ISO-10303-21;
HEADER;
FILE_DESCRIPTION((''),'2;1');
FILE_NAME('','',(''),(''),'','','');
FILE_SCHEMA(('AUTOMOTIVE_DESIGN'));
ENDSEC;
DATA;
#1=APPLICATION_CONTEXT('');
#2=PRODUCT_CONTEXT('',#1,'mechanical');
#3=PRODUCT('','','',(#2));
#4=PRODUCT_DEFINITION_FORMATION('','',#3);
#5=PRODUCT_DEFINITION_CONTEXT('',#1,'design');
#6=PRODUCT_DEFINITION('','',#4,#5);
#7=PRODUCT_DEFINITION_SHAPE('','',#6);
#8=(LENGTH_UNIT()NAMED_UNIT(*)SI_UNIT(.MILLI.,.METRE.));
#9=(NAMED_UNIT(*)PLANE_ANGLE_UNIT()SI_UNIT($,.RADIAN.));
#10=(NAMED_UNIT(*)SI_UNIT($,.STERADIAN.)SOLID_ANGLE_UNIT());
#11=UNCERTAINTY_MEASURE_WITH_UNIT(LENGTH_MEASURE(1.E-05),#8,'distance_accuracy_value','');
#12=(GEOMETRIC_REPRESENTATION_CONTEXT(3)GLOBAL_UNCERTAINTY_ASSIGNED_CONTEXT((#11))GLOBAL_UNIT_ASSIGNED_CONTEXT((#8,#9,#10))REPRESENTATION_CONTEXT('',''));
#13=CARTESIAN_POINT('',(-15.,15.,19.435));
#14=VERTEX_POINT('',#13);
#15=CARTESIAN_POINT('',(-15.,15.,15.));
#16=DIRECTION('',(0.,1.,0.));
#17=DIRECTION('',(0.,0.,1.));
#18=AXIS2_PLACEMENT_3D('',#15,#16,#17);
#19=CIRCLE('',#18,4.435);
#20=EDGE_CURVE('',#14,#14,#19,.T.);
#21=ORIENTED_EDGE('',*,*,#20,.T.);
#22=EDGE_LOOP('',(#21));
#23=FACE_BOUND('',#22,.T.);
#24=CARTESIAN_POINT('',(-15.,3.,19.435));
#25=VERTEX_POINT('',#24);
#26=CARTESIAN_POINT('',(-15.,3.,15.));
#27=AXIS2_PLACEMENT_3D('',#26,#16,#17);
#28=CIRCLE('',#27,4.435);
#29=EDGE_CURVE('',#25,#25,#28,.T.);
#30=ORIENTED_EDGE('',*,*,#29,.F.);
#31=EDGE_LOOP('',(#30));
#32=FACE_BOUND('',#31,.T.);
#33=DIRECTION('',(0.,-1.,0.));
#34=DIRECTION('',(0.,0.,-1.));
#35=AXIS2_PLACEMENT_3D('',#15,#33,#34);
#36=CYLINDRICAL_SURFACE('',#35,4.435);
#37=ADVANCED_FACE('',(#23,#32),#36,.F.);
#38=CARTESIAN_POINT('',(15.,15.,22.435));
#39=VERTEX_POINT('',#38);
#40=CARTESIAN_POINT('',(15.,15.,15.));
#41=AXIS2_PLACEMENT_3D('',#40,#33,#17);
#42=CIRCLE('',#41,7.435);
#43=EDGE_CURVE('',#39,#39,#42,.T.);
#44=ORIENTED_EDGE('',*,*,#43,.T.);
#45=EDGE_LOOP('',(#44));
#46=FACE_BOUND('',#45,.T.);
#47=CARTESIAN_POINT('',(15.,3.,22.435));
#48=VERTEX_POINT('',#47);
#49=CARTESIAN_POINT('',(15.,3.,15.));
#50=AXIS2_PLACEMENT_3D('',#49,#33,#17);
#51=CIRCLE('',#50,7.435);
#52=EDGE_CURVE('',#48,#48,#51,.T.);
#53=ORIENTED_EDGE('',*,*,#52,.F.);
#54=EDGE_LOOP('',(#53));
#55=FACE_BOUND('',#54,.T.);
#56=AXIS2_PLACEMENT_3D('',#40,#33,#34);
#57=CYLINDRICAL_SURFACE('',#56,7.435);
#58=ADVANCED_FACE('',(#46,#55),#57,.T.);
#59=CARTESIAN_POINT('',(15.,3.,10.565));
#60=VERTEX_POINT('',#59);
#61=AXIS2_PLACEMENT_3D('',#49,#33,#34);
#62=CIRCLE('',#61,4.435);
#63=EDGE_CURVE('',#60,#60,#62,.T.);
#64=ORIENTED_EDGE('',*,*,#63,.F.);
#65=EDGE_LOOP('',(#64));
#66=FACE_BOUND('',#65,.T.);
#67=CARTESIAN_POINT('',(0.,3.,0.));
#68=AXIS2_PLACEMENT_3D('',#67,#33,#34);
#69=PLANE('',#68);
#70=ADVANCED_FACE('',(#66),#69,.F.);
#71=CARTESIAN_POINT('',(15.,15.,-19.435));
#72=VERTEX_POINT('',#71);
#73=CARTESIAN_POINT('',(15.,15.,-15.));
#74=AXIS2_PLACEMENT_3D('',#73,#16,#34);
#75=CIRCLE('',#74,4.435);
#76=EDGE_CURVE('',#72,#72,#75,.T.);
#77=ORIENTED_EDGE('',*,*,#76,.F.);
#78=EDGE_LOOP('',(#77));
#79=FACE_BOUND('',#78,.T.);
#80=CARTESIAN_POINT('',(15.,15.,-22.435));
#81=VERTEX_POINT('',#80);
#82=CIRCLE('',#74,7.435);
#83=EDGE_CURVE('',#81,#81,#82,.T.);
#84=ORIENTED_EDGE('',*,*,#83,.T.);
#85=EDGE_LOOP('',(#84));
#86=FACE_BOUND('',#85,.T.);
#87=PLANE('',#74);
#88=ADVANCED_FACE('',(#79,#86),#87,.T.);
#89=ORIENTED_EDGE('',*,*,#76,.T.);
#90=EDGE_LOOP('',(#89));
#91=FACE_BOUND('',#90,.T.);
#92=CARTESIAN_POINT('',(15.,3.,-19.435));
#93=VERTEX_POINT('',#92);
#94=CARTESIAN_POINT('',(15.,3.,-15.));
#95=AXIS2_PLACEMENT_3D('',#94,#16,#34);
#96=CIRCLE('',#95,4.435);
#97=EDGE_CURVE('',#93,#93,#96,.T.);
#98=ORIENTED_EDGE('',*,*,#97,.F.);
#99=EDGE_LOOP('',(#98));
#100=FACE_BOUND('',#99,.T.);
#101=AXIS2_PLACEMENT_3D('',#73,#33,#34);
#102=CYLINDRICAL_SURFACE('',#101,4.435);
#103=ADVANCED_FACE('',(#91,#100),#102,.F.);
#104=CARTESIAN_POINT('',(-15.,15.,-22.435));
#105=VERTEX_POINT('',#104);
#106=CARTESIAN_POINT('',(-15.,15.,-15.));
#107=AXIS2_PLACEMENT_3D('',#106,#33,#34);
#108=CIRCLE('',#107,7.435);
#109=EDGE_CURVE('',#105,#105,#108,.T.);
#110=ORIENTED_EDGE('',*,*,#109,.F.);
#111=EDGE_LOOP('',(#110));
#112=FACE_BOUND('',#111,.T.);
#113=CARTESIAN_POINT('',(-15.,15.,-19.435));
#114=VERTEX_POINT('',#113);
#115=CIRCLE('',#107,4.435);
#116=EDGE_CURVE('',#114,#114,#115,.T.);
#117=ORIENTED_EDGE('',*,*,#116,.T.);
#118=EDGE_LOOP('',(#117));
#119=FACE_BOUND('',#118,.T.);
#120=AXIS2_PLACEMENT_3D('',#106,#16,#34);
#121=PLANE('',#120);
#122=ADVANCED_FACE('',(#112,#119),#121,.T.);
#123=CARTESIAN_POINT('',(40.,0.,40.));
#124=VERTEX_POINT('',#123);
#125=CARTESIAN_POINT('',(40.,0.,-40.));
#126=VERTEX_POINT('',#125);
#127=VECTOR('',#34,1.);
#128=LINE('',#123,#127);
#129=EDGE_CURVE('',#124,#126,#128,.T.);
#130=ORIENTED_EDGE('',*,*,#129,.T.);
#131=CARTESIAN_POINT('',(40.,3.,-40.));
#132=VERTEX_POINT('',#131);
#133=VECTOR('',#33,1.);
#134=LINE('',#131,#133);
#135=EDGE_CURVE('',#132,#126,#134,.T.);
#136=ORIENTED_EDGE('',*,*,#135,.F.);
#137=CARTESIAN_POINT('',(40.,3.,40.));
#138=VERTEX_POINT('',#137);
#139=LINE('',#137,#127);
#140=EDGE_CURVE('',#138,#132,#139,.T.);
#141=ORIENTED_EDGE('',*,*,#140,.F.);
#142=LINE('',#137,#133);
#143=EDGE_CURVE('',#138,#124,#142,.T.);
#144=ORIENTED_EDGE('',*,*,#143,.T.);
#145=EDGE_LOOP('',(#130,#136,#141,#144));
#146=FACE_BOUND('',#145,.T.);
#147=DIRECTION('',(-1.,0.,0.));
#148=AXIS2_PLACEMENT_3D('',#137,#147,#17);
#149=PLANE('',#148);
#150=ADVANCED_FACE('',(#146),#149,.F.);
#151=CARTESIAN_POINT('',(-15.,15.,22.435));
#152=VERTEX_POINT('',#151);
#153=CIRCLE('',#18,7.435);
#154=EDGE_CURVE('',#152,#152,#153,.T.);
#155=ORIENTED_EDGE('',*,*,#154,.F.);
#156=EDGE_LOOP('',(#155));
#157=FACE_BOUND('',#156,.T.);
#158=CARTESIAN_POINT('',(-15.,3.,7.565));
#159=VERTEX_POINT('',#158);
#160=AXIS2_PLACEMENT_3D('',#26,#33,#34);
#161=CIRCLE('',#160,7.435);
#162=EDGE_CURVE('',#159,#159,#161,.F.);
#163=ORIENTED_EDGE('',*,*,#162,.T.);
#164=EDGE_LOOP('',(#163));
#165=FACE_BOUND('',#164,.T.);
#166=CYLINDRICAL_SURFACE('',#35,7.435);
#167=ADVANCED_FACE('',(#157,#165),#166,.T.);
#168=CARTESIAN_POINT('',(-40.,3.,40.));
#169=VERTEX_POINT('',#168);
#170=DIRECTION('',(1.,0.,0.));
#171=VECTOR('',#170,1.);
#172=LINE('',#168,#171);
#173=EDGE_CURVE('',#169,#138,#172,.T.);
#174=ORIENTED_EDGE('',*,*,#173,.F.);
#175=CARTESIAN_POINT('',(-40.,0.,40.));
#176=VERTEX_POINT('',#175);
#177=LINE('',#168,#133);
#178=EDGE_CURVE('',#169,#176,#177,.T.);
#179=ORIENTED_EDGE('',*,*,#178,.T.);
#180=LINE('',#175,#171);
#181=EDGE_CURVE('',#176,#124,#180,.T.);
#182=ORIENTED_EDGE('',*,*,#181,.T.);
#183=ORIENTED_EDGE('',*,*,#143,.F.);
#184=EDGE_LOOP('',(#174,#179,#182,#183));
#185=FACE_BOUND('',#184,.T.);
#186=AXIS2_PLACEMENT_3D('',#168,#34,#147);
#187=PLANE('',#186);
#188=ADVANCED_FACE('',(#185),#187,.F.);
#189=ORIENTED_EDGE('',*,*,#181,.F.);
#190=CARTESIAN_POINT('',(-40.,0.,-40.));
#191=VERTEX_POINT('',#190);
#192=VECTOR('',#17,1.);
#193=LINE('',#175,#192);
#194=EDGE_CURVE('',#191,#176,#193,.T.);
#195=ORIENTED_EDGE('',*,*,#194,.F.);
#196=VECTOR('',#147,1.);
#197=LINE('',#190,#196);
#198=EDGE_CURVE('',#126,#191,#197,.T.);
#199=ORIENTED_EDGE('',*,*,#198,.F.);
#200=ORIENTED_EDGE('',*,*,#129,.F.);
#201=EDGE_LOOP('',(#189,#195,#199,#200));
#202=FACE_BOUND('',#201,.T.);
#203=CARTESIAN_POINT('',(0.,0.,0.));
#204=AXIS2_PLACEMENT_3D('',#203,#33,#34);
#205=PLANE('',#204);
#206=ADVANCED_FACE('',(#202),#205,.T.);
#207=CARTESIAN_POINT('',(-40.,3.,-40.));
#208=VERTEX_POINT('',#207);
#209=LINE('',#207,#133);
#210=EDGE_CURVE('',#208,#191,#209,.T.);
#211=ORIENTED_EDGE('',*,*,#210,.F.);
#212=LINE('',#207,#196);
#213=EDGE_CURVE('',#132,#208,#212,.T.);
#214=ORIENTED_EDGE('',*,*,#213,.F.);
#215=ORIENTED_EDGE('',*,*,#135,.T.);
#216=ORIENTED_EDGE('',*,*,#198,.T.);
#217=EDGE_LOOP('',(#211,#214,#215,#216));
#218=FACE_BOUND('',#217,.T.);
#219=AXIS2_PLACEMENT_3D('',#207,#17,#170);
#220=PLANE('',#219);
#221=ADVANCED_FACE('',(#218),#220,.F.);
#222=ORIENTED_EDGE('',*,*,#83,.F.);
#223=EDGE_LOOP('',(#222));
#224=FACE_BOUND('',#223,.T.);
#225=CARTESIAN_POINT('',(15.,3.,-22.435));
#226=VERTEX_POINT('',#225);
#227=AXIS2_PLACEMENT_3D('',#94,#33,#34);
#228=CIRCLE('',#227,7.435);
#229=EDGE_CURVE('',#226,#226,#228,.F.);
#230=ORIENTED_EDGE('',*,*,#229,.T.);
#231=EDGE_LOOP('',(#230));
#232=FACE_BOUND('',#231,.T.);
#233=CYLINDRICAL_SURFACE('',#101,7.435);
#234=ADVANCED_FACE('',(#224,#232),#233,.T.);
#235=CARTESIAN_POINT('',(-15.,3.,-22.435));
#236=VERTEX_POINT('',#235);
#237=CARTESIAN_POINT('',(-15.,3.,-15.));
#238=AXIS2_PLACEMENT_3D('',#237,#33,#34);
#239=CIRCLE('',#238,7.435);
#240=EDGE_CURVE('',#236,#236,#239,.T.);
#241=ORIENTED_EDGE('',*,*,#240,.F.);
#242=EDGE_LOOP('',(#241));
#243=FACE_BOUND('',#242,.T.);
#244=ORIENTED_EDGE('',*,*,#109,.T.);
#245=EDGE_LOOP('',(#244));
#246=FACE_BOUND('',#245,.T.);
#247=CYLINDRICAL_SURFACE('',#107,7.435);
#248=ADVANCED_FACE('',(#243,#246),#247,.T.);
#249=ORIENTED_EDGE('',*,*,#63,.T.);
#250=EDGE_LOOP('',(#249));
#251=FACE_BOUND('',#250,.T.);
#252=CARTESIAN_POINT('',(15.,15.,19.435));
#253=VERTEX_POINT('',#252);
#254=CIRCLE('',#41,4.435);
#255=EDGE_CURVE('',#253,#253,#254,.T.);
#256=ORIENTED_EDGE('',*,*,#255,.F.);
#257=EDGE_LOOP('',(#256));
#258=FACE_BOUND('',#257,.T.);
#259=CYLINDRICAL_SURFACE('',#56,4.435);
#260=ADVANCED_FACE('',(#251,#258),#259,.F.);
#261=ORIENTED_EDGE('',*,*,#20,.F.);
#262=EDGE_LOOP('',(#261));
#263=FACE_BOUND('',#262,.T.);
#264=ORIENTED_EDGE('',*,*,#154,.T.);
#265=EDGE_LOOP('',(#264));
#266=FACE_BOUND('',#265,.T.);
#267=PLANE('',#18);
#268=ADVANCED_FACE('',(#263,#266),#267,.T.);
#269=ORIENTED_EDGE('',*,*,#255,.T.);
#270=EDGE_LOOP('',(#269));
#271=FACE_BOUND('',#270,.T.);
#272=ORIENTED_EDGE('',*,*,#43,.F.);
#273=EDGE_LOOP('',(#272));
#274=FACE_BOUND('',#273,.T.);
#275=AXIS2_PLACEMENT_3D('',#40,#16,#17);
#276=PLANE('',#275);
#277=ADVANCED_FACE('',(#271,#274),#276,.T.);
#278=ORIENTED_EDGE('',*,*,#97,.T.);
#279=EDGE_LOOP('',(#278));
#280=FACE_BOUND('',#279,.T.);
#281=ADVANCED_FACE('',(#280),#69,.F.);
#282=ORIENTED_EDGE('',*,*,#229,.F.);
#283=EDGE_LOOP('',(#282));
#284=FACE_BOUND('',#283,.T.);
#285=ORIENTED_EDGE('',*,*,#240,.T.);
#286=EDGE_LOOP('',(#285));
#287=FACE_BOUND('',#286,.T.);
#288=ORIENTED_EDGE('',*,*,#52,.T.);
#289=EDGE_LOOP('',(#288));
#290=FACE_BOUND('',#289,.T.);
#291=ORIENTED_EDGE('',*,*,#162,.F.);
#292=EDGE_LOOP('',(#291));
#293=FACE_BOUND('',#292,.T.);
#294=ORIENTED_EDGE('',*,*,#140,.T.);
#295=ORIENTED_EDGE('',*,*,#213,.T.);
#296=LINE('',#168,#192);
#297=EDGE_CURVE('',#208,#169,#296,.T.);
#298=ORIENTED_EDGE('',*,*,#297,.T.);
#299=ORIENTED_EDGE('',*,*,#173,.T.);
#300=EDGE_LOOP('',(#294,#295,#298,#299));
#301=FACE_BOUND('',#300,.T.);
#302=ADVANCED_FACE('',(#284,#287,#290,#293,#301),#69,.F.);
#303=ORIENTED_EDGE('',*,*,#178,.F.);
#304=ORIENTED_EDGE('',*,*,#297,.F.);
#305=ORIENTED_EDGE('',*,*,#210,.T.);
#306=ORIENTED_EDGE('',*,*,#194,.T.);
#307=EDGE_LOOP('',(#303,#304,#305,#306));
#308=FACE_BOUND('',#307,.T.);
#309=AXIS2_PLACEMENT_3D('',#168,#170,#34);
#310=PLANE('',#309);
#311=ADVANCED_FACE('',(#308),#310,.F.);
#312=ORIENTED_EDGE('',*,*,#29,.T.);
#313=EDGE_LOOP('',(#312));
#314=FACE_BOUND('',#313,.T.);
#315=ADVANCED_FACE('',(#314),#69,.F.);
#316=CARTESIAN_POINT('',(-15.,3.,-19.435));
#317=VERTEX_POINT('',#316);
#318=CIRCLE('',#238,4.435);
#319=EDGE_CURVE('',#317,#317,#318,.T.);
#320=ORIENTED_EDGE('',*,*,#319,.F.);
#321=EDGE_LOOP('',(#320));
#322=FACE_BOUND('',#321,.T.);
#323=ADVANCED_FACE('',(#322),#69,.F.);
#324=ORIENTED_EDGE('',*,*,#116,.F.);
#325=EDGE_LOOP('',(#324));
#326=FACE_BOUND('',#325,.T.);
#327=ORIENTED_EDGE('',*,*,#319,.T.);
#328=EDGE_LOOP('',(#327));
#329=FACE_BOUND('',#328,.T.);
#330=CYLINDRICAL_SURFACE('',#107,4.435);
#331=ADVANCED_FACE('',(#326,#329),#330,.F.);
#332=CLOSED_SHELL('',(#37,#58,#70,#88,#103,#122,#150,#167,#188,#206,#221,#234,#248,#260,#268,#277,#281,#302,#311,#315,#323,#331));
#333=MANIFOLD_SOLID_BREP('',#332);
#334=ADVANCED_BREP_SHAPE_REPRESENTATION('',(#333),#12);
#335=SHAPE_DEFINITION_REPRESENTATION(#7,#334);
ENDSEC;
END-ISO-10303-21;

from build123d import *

# Parameters (mm, degrees)
SKETCH1_W                 = 80
SKETCH1_H                 = 80
BOSS_EXTRUDE1_DEPTH       = 3
SKETCH2_R                 = 7.435
SKETCH2_R_2               = 4.435
BOSS_EXTRUDE2_DEPTH       = 12
MIRROR2_COPY_1_SKETCH_R   = 7.435
MIRROR2_COPY_1_SKETCH_R_2 = 4.435
MIRROR2_COPY_1_DEPTH      = 12


with BuildPart() as part:
    # Sketch1 → Boss-Extrude1 (new body)
    with BuildSketch(Plane(origin=(0, 0, 0), x_dir=(1, 0, 0), z_dir=(0, 1, 0))):
        Rectangle(SKETCH1_W, SKETCH1_H)
    extrude(amount=BOSS_EXTRUDE1_DEPTH)

    # Sketch2 → Boss-Extrude2 (add)
    with BuildSketch(Plane(origin=(0, 3, 0), x_dir=(1, 0, 0), z_dir=(0, 1, 0))):
        with Locations(Location((-15, -15, 0), (0, 0, 90))):  # turned: the seam where the file's is
            Circle(SKETCH2_R)
        with Locations(Location((-15, -15, 0), (0, 0, 270))):  # turned: the seam where the file's is
            Circle(SKETCH2_R_2, mode=Mode.SUBTRACT)
    boss_extrude2 = extrude(amount=BOSS_EXTRUDE2_DEPTH)

    # Mirror1: Boss-Extrude2 across plane
    add(boss_extrude2.mirror(Plane.XY))

    # Mirror2: Boss-Extrude2 across plane
    add(boss_extrude2.mirror(Plane(origin=(0, 0, 0), x_dir=(0, 0, 1), z_dir=(1, 0, 0))))

    # Mirror2 copy 1 sketch → Mirror2 copy 1 (add)
    with BuildSketch(Plane(origin=(0, 3, 0), x_dir=(-1, 0, 0), z_dir=(0, 1, 0))):
        with Locations(Location((-15, -15, 0), (0, 0, 90))):  # turned: the seam where the file's is
            Circle(MIRROR2_COPY_1_SKETCH_R)
        with Locations(Location((-15, -15, 0), (0, 0, 270))):  # turned: the seam where the file's is
            Circle(MIRROR2_COPY_1_SKETCH_R_2, mode=Mode.SUBTRACT)
    extrude(amount=MIRROR2_COPY_1_DEPTH)


solid = part.part
